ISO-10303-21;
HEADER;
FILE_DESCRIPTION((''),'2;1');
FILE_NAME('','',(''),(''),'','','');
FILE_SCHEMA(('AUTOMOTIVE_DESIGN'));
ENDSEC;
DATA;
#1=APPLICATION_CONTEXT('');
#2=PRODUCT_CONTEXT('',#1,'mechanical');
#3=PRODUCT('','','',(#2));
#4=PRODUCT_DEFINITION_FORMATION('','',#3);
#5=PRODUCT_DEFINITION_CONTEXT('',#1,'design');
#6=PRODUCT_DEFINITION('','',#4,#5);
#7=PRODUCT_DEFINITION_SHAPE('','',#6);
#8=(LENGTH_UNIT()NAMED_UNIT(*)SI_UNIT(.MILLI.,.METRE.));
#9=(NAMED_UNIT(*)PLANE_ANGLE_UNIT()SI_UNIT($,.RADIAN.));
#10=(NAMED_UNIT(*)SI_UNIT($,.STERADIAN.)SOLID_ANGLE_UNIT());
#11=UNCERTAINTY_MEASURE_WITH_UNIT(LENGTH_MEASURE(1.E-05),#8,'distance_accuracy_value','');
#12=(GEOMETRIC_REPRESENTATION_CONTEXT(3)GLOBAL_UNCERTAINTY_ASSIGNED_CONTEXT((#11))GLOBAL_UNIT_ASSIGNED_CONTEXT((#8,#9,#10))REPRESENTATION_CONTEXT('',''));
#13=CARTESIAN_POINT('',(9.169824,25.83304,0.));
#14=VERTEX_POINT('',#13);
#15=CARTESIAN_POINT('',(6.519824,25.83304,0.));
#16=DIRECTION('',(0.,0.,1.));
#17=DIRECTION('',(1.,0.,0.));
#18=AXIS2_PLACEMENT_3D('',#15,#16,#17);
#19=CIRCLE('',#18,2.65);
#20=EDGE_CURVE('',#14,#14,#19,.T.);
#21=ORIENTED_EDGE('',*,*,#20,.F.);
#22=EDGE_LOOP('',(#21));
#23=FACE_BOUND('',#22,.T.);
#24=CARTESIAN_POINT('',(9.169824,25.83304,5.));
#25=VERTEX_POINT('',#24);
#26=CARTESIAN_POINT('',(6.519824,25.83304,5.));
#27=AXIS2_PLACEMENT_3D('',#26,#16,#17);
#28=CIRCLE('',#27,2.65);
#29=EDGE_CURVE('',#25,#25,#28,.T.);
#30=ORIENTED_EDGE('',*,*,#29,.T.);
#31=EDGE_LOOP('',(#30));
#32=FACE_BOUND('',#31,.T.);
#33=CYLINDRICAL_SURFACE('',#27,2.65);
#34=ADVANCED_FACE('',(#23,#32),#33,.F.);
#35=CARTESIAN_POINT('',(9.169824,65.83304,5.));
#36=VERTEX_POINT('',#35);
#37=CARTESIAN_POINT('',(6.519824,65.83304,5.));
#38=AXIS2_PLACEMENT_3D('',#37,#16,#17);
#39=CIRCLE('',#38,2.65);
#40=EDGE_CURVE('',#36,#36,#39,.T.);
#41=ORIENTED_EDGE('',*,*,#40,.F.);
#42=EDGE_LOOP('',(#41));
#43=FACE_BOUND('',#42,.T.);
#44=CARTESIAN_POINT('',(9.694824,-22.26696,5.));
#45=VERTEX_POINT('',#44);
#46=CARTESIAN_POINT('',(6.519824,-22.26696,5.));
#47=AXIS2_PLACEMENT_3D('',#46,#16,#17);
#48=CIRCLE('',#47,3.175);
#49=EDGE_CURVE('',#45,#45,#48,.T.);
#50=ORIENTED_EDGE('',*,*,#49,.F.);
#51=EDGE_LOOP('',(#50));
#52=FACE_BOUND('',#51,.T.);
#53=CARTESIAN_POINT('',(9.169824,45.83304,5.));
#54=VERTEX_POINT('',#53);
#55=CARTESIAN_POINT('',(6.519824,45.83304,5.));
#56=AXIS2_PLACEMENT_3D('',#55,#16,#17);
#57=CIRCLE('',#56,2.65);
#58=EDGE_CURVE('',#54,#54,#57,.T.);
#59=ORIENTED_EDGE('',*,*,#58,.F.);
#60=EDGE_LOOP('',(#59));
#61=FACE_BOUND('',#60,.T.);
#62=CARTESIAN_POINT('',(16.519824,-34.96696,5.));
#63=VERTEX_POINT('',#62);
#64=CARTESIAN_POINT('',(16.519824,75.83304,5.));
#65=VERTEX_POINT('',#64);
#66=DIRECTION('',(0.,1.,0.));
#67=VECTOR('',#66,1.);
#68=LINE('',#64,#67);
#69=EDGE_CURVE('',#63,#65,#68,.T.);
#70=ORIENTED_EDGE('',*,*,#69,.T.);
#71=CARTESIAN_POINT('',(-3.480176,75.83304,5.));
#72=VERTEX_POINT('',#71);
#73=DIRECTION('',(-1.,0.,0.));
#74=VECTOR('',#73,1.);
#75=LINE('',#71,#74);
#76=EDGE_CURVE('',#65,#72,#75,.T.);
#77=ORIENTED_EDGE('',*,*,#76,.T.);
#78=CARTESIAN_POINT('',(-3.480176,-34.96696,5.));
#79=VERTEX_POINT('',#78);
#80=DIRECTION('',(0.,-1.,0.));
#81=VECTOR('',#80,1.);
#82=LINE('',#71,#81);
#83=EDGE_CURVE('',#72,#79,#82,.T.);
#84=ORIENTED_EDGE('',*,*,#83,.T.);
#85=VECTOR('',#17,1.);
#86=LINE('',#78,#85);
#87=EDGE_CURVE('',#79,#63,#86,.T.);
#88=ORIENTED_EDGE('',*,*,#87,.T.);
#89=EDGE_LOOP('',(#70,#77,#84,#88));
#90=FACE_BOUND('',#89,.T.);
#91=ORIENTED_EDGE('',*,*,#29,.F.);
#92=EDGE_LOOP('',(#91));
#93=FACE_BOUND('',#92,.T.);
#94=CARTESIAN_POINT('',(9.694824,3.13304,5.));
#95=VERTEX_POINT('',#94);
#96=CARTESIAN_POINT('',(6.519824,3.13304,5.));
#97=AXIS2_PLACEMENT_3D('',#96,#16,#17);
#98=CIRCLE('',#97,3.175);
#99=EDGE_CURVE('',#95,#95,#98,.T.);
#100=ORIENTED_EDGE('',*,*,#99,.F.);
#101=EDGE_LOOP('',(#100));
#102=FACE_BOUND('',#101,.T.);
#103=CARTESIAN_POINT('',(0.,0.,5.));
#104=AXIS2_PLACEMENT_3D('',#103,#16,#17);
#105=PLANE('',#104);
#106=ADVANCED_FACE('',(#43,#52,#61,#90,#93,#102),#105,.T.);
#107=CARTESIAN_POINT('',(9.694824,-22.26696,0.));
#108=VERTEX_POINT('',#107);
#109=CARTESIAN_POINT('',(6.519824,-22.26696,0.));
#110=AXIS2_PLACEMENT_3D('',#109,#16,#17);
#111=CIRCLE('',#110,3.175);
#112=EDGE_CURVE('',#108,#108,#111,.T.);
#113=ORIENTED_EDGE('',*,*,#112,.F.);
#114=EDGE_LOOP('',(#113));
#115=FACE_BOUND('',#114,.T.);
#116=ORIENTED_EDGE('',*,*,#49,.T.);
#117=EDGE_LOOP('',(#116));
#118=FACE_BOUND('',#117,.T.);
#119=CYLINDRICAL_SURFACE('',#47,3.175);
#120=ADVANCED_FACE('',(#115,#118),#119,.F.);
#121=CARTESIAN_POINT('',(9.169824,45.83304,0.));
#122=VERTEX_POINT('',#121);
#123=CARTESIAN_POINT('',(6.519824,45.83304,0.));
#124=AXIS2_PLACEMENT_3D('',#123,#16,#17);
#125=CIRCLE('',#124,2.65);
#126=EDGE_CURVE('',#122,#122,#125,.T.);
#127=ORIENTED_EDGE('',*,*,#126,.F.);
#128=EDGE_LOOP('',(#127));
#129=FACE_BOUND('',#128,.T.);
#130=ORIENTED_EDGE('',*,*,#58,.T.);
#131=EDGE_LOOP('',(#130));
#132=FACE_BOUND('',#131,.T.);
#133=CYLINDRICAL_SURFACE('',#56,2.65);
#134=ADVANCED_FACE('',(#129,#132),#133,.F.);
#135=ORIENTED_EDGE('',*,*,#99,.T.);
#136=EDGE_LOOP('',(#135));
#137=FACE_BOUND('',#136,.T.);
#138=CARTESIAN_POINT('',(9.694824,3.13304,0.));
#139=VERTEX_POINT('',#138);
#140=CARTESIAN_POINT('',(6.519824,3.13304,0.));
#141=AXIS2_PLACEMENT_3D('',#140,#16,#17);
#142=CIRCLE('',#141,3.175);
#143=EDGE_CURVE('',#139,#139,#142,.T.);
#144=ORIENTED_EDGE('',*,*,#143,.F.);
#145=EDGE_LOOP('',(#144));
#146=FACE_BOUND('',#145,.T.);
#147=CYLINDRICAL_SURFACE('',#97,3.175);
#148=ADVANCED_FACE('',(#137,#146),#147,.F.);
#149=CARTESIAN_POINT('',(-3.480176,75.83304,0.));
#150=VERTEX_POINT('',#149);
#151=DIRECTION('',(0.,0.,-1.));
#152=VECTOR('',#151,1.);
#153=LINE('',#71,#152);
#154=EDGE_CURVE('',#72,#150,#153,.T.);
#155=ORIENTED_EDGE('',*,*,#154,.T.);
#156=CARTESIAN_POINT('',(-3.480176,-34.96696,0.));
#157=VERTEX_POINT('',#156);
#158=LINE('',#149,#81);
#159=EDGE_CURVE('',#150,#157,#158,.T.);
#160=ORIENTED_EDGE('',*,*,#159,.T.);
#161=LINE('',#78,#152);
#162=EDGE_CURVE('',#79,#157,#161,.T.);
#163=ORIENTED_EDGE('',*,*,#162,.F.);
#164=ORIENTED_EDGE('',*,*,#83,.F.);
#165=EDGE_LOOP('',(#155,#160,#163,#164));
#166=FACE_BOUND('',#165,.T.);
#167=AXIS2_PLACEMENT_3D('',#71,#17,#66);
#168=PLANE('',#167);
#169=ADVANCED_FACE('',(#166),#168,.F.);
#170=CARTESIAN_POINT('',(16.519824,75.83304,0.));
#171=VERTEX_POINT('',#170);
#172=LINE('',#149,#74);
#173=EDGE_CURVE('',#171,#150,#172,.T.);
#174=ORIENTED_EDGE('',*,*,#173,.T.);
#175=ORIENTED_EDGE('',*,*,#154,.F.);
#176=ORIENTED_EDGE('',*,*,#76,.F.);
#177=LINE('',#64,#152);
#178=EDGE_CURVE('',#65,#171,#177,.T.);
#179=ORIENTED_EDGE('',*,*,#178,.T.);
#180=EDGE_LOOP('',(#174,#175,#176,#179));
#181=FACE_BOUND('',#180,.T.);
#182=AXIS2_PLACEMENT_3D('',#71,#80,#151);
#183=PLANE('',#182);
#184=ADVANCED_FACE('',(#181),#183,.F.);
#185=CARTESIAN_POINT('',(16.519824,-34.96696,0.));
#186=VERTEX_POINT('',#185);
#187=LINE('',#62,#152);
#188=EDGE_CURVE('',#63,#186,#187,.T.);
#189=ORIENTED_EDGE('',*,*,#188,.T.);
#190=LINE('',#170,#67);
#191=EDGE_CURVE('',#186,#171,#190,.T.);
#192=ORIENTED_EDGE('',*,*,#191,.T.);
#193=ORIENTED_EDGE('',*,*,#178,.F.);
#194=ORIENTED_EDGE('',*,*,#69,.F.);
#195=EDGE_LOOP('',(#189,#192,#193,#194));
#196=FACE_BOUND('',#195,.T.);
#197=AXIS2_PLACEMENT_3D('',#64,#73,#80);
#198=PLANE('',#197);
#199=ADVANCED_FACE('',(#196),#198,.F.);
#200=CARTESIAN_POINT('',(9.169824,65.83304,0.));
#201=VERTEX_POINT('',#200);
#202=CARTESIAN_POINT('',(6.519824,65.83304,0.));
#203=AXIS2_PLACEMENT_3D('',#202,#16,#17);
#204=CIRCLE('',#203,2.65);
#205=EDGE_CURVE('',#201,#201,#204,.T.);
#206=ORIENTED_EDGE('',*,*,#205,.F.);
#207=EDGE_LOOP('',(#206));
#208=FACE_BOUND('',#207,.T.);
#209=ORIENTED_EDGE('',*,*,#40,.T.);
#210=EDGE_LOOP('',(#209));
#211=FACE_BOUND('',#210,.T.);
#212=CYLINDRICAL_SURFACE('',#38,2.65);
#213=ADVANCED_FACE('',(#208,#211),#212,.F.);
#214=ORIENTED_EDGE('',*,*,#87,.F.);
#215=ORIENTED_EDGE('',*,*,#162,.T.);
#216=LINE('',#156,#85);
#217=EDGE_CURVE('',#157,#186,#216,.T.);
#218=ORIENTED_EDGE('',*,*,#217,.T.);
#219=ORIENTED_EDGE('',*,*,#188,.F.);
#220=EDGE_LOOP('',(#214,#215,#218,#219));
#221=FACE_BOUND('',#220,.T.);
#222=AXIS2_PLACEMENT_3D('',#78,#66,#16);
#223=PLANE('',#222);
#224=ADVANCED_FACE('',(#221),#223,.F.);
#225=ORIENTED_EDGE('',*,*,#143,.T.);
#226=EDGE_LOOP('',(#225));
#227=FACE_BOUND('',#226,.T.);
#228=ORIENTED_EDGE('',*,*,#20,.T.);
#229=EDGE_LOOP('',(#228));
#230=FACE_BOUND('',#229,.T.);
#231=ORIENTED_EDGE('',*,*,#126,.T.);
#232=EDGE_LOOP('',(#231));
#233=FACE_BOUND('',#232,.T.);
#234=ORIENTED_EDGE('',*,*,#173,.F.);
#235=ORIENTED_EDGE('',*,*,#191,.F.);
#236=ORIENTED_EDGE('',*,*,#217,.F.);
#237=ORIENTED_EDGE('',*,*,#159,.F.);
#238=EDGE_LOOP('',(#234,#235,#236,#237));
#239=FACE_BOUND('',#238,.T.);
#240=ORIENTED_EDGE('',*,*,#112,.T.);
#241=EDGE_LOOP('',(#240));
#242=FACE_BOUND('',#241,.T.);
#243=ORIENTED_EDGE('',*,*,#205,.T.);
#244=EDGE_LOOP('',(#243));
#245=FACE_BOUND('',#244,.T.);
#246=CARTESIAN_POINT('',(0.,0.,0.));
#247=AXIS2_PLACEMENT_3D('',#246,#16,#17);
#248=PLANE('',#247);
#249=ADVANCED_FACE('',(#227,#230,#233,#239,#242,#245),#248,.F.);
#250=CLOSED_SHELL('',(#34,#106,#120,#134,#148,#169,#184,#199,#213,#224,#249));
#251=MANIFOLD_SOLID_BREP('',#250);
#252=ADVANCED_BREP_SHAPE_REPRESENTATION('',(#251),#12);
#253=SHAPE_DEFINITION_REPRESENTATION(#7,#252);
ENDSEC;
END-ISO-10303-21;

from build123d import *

# Parameters (mm, degrees)
SKETCH1_W                   = 20
SKETCH1_H                   = 110.8
BOSS_EXTRUDE1_DEPTH         = 5
M5_CLEARANCE_HOLE1_D        = 5.3
F_1_4_0_25_DIAMETER_HOLE1_D = 6.35


with BuildPart() as part:
    # Sketch1 → Boss-Extrude1 (new body)
    with BuildSketch(Plane.XY):
        with Locations((6.519823789, 20.433039648)):
            Rectangle(SKETCH1_W, SKETCH1_H)
    extrude(amount=BOSS_EXTRUDE1_DEPTH)

    # M5 Clearance Hole1 (through all)
    with Locations(Plane.XY.offset(5)):
        with Locations((6.519823789, 65.833039648), (6.519823789, 45.833039648), (6.519823789, 25.833039648)):
            Hole(M5_CLEARANCE_HOLE1_D / 2)

    # 1/4 (0.25) Diameter Hole1 (through all)
    with Locations(Plane.XY.offset(5)):
        with Locations((6.519823789, 3.133039648), (6.519823789, -22.266960352)):
            Hole(F_1_4_0_25_DIAMETER_HOLE1_D / 2)


solid = part.part
